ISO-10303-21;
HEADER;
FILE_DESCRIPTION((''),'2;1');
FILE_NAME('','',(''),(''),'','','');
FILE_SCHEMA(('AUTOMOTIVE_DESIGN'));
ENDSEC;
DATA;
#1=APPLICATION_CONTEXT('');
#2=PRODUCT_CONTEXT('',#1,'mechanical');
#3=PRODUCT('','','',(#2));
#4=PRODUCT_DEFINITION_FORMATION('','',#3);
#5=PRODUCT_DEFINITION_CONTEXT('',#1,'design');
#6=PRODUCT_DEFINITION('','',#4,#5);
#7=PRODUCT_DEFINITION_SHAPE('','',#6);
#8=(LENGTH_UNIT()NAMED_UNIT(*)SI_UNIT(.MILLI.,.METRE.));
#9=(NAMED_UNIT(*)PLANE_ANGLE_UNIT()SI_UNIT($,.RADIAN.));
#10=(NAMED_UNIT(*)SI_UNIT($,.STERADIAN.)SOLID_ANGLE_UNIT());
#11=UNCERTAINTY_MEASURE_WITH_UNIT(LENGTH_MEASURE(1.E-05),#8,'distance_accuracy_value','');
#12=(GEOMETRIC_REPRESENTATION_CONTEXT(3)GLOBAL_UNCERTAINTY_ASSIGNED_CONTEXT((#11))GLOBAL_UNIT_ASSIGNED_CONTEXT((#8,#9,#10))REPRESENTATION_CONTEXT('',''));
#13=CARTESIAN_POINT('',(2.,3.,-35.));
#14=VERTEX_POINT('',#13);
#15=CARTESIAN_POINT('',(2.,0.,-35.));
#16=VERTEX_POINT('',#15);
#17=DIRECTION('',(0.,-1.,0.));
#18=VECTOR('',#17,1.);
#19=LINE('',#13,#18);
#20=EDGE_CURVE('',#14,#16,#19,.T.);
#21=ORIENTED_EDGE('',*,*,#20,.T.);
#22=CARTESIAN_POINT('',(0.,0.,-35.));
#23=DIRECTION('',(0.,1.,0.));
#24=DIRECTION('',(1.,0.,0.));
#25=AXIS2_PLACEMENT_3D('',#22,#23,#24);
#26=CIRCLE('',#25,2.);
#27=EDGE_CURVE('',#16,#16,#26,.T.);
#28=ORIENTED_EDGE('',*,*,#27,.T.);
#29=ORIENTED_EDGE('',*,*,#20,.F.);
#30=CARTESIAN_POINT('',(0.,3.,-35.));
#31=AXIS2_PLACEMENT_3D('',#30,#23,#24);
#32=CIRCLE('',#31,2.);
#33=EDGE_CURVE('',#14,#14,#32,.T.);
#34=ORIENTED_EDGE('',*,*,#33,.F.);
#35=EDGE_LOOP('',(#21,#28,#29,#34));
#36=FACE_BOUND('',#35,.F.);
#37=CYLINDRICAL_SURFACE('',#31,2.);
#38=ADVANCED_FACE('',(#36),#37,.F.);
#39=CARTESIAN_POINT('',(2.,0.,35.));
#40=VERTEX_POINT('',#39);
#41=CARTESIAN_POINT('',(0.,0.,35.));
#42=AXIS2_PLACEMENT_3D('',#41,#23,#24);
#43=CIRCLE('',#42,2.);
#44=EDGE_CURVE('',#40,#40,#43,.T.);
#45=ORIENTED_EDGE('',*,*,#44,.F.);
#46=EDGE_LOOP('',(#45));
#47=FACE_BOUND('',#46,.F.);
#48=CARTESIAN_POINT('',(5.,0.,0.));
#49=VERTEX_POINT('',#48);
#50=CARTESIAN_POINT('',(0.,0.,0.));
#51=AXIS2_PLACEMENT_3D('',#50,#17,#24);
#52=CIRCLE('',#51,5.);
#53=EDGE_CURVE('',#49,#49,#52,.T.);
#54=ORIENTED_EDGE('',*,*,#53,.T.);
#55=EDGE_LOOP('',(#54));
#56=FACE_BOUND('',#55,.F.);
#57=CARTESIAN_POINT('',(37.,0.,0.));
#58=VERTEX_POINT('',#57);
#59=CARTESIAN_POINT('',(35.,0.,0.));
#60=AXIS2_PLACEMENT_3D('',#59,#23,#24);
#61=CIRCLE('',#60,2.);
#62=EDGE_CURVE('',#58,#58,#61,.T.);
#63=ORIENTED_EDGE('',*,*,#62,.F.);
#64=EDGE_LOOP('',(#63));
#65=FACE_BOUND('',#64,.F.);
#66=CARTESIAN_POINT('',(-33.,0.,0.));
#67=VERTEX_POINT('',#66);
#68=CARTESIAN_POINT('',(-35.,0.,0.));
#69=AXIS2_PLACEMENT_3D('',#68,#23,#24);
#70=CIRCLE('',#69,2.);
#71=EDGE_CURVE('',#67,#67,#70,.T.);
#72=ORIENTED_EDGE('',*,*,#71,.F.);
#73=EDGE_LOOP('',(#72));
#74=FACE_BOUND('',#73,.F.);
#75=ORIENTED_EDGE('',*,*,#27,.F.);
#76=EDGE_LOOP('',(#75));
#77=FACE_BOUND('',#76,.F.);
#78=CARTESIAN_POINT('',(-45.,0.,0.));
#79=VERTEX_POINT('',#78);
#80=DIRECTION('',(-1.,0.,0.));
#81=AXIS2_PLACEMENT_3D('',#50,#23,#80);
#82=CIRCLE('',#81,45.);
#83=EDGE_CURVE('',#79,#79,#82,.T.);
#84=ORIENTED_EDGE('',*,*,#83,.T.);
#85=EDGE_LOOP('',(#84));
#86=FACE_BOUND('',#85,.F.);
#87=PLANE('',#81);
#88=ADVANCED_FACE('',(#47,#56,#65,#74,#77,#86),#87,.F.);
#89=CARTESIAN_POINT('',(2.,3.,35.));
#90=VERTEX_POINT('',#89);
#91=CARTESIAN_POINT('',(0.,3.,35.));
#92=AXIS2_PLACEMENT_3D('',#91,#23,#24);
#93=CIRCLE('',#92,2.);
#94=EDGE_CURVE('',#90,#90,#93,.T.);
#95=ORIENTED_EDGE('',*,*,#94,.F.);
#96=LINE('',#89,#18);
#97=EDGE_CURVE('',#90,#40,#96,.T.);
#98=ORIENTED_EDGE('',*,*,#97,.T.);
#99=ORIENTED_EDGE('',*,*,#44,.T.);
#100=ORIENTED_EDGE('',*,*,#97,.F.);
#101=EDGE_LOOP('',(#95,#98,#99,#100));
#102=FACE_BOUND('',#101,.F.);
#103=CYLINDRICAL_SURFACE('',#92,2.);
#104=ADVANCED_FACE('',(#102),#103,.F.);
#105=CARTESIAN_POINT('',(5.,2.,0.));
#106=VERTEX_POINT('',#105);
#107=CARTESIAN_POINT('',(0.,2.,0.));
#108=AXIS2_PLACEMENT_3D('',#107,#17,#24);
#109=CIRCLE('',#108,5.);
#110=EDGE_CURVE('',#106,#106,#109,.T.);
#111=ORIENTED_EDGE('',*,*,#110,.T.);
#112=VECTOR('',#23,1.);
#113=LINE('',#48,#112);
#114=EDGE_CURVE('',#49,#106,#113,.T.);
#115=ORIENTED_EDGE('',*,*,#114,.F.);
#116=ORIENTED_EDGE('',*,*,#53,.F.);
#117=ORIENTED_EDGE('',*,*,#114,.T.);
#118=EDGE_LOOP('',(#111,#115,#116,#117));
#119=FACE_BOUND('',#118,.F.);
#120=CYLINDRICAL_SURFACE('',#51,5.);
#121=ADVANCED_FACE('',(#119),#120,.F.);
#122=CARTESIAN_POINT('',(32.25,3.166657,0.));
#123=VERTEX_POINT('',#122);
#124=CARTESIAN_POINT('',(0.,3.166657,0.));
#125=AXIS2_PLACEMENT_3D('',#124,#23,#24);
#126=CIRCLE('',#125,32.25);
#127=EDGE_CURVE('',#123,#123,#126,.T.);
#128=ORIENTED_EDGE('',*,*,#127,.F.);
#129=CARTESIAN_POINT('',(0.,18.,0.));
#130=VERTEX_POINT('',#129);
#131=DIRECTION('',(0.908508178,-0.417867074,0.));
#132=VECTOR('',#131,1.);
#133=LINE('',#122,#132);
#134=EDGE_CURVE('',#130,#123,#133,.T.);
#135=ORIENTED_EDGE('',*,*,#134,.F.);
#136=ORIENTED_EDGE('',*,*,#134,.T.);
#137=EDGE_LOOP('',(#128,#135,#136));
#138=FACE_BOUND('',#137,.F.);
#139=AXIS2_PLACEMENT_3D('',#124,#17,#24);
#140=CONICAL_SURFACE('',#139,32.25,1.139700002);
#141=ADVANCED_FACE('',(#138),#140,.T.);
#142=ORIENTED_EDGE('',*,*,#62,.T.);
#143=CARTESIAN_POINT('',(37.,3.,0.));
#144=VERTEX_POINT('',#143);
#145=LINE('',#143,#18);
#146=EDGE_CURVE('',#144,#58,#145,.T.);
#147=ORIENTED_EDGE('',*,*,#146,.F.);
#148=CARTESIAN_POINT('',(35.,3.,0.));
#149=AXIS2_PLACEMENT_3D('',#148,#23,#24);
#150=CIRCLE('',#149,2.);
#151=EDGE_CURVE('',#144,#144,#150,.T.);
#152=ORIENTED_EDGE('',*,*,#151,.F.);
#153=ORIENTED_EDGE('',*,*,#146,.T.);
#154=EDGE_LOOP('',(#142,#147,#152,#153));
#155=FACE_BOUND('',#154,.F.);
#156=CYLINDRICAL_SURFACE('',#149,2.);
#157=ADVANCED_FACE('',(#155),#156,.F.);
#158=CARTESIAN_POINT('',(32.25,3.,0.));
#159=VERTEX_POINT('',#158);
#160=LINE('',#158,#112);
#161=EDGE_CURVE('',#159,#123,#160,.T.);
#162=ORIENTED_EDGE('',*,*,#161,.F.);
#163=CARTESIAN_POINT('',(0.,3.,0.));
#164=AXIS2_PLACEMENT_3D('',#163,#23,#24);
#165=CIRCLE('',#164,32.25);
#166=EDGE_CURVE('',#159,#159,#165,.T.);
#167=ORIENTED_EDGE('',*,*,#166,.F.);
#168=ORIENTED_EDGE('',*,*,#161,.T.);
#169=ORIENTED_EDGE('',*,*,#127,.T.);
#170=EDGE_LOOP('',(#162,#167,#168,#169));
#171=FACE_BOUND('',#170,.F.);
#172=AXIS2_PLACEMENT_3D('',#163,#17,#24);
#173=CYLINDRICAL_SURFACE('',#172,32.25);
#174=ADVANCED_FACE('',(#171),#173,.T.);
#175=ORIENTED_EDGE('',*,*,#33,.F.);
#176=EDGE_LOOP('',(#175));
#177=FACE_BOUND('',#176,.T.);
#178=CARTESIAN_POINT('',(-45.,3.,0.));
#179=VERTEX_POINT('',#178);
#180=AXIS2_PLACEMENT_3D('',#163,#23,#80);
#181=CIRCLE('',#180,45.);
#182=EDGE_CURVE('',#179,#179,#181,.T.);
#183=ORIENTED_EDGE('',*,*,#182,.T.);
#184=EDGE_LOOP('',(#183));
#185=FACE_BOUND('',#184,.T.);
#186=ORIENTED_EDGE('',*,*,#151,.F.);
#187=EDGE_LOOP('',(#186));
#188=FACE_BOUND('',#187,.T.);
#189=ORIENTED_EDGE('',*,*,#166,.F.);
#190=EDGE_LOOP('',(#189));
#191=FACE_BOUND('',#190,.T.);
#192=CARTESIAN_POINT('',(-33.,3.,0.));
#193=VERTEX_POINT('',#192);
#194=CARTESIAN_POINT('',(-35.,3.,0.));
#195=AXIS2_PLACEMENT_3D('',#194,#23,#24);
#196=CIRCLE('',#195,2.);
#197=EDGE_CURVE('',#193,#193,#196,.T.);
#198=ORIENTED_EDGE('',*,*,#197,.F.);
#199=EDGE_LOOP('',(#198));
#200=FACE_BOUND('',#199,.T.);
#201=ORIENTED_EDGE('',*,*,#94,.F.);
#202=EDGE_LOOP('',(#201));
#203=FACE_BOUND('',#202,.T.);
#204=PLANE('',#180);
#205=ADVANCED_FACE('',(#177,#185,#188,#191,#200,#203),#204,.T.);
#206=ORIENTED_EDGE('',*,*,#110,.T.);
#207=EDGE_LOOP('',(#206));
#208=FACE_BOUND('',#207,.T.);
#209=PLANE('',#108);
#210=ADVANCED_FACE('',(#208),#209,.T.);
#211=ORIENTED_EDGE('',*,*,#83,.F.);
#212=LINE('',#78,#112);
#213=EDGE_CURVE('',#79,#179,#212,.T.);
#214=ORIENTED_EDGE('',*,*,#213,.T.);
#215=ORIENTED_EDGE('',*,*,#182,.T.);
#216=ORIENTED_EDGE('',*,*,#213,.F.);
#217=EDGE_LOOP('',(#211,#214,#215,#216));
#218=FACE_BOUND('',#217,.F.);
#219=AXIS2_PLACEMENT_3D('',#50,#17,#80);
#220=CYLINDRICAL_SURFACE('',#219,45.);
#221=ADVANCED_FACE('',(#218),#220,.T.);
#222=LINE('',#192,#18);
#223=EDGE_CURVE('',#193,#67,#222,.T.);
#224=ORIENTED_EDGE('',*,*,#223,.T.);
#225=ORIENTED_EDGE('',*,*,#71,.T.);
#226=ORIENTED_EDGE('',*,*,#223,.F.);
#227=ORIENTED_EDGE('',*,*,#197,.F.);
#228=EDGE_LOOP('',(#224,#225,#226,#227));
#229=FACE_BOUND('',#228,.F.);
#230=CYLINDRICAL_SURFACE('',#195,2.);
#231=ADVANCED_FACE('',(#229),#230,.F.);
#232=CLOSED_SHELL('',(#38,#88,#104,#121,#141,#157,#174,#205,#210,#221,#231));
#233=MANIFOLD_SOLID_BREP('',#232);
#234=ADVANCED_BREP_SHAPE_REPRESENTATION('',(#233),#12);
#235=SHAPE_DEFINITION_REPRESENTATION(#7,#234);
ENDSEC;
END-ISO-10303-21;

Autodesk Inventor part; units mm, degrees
ref_plane "YZ Plane" through (0, 0, 0) normal (1, 0, 0) x (0, 1, 0)
ref_plane "XZ Plane" through (0, 0, 0) normal (0, 1, 0) x (-1, 0, 0)
ref_plane "XY Plane" through (0, 0, 0) normal (0, 0, 1) x (1, 0, 0)
sketch "Szkic1" plane through (0, 0, 0) normal (0, 1, 0) x (-1, 0, 0)
  circle A0 centre (0, 0) radius 45
  circle A1 centre (35, 0) radius 1.5
  circle A2 centre (-35, 0) radius 1.5
  circle A3 centre (0, 35) radius 1.5
  circle A4 centre (0, -35) radius 1.5
  dimension "d0" = 90
  dimension "d30" = 3
  dimension "d31" = 3
  dimension "d32" = 3
  dimension "d33" = 3
extrude "Wyciągnięcie proste1" add sketch "Szkic1" along normal blind 3 contours A0 | A1 | A2 | A3 | A4
sketch "Szkic4" plane through (0, 0, 0) normal (0, -1, 0) x (1, 0, 0)
  circle A0 centre (0, 0) radius 2.5 projected
  circle A1 centre (0, 0) radius 5
  dimension "d19" = 10
extrude "Wyciągnięcie proste5" cut sketch "Szkic4" against normal blind 2 contours A0 | A1
sketch "Szkic8" plane through (0, 2, 0) normal (0, -1, 0) x (1, 0, 0)
  point P0 (0, 0)
sketch "Szkic17" plane through (0, 3, 0) normal (0, 1, 0) x (1, 0, 0)
  circle A0 centre (-35, 0) radius 2
  circle A1 centre (0, 35) radius 2
  circle A2 centre (0, -35) radius 2
  circle A3 centre (35, 0) radius 2
  point P0 (0, 0)
  dimension "d34" = 4
  dimension "d35" = 4
  dimension "d36" = 4
  dimension "d37" = 4
extrude "Wyciągnięcie proste9" cut sketch "Szkic17" against normal blind 47
sketch "Szkic19" plane through (0, 3, 0) normal (0, 1, 0) x (1, 0, 0)
  point P0 (0, 0)
sketch "Szkic20" plane through (0, 3, 0) normal (0, 1, 0) x (1, 0, 0)
  circle A0 centre (0, 0) radius 5 projected
  circle A1 centre (0, 0) radius 32.25
  dimension "d47" = 64.5
extrude "Wyciągnięcie proste11" add sketch "Szkic20" along normal blind 15 contours A0 | A1
chamfer "Faza1" distance 32.25 angle 24.7 1 edges at (-32.25, 18, 0) measured on face at (15.449, 18, -8.9531)
properties part number "tarcza"
